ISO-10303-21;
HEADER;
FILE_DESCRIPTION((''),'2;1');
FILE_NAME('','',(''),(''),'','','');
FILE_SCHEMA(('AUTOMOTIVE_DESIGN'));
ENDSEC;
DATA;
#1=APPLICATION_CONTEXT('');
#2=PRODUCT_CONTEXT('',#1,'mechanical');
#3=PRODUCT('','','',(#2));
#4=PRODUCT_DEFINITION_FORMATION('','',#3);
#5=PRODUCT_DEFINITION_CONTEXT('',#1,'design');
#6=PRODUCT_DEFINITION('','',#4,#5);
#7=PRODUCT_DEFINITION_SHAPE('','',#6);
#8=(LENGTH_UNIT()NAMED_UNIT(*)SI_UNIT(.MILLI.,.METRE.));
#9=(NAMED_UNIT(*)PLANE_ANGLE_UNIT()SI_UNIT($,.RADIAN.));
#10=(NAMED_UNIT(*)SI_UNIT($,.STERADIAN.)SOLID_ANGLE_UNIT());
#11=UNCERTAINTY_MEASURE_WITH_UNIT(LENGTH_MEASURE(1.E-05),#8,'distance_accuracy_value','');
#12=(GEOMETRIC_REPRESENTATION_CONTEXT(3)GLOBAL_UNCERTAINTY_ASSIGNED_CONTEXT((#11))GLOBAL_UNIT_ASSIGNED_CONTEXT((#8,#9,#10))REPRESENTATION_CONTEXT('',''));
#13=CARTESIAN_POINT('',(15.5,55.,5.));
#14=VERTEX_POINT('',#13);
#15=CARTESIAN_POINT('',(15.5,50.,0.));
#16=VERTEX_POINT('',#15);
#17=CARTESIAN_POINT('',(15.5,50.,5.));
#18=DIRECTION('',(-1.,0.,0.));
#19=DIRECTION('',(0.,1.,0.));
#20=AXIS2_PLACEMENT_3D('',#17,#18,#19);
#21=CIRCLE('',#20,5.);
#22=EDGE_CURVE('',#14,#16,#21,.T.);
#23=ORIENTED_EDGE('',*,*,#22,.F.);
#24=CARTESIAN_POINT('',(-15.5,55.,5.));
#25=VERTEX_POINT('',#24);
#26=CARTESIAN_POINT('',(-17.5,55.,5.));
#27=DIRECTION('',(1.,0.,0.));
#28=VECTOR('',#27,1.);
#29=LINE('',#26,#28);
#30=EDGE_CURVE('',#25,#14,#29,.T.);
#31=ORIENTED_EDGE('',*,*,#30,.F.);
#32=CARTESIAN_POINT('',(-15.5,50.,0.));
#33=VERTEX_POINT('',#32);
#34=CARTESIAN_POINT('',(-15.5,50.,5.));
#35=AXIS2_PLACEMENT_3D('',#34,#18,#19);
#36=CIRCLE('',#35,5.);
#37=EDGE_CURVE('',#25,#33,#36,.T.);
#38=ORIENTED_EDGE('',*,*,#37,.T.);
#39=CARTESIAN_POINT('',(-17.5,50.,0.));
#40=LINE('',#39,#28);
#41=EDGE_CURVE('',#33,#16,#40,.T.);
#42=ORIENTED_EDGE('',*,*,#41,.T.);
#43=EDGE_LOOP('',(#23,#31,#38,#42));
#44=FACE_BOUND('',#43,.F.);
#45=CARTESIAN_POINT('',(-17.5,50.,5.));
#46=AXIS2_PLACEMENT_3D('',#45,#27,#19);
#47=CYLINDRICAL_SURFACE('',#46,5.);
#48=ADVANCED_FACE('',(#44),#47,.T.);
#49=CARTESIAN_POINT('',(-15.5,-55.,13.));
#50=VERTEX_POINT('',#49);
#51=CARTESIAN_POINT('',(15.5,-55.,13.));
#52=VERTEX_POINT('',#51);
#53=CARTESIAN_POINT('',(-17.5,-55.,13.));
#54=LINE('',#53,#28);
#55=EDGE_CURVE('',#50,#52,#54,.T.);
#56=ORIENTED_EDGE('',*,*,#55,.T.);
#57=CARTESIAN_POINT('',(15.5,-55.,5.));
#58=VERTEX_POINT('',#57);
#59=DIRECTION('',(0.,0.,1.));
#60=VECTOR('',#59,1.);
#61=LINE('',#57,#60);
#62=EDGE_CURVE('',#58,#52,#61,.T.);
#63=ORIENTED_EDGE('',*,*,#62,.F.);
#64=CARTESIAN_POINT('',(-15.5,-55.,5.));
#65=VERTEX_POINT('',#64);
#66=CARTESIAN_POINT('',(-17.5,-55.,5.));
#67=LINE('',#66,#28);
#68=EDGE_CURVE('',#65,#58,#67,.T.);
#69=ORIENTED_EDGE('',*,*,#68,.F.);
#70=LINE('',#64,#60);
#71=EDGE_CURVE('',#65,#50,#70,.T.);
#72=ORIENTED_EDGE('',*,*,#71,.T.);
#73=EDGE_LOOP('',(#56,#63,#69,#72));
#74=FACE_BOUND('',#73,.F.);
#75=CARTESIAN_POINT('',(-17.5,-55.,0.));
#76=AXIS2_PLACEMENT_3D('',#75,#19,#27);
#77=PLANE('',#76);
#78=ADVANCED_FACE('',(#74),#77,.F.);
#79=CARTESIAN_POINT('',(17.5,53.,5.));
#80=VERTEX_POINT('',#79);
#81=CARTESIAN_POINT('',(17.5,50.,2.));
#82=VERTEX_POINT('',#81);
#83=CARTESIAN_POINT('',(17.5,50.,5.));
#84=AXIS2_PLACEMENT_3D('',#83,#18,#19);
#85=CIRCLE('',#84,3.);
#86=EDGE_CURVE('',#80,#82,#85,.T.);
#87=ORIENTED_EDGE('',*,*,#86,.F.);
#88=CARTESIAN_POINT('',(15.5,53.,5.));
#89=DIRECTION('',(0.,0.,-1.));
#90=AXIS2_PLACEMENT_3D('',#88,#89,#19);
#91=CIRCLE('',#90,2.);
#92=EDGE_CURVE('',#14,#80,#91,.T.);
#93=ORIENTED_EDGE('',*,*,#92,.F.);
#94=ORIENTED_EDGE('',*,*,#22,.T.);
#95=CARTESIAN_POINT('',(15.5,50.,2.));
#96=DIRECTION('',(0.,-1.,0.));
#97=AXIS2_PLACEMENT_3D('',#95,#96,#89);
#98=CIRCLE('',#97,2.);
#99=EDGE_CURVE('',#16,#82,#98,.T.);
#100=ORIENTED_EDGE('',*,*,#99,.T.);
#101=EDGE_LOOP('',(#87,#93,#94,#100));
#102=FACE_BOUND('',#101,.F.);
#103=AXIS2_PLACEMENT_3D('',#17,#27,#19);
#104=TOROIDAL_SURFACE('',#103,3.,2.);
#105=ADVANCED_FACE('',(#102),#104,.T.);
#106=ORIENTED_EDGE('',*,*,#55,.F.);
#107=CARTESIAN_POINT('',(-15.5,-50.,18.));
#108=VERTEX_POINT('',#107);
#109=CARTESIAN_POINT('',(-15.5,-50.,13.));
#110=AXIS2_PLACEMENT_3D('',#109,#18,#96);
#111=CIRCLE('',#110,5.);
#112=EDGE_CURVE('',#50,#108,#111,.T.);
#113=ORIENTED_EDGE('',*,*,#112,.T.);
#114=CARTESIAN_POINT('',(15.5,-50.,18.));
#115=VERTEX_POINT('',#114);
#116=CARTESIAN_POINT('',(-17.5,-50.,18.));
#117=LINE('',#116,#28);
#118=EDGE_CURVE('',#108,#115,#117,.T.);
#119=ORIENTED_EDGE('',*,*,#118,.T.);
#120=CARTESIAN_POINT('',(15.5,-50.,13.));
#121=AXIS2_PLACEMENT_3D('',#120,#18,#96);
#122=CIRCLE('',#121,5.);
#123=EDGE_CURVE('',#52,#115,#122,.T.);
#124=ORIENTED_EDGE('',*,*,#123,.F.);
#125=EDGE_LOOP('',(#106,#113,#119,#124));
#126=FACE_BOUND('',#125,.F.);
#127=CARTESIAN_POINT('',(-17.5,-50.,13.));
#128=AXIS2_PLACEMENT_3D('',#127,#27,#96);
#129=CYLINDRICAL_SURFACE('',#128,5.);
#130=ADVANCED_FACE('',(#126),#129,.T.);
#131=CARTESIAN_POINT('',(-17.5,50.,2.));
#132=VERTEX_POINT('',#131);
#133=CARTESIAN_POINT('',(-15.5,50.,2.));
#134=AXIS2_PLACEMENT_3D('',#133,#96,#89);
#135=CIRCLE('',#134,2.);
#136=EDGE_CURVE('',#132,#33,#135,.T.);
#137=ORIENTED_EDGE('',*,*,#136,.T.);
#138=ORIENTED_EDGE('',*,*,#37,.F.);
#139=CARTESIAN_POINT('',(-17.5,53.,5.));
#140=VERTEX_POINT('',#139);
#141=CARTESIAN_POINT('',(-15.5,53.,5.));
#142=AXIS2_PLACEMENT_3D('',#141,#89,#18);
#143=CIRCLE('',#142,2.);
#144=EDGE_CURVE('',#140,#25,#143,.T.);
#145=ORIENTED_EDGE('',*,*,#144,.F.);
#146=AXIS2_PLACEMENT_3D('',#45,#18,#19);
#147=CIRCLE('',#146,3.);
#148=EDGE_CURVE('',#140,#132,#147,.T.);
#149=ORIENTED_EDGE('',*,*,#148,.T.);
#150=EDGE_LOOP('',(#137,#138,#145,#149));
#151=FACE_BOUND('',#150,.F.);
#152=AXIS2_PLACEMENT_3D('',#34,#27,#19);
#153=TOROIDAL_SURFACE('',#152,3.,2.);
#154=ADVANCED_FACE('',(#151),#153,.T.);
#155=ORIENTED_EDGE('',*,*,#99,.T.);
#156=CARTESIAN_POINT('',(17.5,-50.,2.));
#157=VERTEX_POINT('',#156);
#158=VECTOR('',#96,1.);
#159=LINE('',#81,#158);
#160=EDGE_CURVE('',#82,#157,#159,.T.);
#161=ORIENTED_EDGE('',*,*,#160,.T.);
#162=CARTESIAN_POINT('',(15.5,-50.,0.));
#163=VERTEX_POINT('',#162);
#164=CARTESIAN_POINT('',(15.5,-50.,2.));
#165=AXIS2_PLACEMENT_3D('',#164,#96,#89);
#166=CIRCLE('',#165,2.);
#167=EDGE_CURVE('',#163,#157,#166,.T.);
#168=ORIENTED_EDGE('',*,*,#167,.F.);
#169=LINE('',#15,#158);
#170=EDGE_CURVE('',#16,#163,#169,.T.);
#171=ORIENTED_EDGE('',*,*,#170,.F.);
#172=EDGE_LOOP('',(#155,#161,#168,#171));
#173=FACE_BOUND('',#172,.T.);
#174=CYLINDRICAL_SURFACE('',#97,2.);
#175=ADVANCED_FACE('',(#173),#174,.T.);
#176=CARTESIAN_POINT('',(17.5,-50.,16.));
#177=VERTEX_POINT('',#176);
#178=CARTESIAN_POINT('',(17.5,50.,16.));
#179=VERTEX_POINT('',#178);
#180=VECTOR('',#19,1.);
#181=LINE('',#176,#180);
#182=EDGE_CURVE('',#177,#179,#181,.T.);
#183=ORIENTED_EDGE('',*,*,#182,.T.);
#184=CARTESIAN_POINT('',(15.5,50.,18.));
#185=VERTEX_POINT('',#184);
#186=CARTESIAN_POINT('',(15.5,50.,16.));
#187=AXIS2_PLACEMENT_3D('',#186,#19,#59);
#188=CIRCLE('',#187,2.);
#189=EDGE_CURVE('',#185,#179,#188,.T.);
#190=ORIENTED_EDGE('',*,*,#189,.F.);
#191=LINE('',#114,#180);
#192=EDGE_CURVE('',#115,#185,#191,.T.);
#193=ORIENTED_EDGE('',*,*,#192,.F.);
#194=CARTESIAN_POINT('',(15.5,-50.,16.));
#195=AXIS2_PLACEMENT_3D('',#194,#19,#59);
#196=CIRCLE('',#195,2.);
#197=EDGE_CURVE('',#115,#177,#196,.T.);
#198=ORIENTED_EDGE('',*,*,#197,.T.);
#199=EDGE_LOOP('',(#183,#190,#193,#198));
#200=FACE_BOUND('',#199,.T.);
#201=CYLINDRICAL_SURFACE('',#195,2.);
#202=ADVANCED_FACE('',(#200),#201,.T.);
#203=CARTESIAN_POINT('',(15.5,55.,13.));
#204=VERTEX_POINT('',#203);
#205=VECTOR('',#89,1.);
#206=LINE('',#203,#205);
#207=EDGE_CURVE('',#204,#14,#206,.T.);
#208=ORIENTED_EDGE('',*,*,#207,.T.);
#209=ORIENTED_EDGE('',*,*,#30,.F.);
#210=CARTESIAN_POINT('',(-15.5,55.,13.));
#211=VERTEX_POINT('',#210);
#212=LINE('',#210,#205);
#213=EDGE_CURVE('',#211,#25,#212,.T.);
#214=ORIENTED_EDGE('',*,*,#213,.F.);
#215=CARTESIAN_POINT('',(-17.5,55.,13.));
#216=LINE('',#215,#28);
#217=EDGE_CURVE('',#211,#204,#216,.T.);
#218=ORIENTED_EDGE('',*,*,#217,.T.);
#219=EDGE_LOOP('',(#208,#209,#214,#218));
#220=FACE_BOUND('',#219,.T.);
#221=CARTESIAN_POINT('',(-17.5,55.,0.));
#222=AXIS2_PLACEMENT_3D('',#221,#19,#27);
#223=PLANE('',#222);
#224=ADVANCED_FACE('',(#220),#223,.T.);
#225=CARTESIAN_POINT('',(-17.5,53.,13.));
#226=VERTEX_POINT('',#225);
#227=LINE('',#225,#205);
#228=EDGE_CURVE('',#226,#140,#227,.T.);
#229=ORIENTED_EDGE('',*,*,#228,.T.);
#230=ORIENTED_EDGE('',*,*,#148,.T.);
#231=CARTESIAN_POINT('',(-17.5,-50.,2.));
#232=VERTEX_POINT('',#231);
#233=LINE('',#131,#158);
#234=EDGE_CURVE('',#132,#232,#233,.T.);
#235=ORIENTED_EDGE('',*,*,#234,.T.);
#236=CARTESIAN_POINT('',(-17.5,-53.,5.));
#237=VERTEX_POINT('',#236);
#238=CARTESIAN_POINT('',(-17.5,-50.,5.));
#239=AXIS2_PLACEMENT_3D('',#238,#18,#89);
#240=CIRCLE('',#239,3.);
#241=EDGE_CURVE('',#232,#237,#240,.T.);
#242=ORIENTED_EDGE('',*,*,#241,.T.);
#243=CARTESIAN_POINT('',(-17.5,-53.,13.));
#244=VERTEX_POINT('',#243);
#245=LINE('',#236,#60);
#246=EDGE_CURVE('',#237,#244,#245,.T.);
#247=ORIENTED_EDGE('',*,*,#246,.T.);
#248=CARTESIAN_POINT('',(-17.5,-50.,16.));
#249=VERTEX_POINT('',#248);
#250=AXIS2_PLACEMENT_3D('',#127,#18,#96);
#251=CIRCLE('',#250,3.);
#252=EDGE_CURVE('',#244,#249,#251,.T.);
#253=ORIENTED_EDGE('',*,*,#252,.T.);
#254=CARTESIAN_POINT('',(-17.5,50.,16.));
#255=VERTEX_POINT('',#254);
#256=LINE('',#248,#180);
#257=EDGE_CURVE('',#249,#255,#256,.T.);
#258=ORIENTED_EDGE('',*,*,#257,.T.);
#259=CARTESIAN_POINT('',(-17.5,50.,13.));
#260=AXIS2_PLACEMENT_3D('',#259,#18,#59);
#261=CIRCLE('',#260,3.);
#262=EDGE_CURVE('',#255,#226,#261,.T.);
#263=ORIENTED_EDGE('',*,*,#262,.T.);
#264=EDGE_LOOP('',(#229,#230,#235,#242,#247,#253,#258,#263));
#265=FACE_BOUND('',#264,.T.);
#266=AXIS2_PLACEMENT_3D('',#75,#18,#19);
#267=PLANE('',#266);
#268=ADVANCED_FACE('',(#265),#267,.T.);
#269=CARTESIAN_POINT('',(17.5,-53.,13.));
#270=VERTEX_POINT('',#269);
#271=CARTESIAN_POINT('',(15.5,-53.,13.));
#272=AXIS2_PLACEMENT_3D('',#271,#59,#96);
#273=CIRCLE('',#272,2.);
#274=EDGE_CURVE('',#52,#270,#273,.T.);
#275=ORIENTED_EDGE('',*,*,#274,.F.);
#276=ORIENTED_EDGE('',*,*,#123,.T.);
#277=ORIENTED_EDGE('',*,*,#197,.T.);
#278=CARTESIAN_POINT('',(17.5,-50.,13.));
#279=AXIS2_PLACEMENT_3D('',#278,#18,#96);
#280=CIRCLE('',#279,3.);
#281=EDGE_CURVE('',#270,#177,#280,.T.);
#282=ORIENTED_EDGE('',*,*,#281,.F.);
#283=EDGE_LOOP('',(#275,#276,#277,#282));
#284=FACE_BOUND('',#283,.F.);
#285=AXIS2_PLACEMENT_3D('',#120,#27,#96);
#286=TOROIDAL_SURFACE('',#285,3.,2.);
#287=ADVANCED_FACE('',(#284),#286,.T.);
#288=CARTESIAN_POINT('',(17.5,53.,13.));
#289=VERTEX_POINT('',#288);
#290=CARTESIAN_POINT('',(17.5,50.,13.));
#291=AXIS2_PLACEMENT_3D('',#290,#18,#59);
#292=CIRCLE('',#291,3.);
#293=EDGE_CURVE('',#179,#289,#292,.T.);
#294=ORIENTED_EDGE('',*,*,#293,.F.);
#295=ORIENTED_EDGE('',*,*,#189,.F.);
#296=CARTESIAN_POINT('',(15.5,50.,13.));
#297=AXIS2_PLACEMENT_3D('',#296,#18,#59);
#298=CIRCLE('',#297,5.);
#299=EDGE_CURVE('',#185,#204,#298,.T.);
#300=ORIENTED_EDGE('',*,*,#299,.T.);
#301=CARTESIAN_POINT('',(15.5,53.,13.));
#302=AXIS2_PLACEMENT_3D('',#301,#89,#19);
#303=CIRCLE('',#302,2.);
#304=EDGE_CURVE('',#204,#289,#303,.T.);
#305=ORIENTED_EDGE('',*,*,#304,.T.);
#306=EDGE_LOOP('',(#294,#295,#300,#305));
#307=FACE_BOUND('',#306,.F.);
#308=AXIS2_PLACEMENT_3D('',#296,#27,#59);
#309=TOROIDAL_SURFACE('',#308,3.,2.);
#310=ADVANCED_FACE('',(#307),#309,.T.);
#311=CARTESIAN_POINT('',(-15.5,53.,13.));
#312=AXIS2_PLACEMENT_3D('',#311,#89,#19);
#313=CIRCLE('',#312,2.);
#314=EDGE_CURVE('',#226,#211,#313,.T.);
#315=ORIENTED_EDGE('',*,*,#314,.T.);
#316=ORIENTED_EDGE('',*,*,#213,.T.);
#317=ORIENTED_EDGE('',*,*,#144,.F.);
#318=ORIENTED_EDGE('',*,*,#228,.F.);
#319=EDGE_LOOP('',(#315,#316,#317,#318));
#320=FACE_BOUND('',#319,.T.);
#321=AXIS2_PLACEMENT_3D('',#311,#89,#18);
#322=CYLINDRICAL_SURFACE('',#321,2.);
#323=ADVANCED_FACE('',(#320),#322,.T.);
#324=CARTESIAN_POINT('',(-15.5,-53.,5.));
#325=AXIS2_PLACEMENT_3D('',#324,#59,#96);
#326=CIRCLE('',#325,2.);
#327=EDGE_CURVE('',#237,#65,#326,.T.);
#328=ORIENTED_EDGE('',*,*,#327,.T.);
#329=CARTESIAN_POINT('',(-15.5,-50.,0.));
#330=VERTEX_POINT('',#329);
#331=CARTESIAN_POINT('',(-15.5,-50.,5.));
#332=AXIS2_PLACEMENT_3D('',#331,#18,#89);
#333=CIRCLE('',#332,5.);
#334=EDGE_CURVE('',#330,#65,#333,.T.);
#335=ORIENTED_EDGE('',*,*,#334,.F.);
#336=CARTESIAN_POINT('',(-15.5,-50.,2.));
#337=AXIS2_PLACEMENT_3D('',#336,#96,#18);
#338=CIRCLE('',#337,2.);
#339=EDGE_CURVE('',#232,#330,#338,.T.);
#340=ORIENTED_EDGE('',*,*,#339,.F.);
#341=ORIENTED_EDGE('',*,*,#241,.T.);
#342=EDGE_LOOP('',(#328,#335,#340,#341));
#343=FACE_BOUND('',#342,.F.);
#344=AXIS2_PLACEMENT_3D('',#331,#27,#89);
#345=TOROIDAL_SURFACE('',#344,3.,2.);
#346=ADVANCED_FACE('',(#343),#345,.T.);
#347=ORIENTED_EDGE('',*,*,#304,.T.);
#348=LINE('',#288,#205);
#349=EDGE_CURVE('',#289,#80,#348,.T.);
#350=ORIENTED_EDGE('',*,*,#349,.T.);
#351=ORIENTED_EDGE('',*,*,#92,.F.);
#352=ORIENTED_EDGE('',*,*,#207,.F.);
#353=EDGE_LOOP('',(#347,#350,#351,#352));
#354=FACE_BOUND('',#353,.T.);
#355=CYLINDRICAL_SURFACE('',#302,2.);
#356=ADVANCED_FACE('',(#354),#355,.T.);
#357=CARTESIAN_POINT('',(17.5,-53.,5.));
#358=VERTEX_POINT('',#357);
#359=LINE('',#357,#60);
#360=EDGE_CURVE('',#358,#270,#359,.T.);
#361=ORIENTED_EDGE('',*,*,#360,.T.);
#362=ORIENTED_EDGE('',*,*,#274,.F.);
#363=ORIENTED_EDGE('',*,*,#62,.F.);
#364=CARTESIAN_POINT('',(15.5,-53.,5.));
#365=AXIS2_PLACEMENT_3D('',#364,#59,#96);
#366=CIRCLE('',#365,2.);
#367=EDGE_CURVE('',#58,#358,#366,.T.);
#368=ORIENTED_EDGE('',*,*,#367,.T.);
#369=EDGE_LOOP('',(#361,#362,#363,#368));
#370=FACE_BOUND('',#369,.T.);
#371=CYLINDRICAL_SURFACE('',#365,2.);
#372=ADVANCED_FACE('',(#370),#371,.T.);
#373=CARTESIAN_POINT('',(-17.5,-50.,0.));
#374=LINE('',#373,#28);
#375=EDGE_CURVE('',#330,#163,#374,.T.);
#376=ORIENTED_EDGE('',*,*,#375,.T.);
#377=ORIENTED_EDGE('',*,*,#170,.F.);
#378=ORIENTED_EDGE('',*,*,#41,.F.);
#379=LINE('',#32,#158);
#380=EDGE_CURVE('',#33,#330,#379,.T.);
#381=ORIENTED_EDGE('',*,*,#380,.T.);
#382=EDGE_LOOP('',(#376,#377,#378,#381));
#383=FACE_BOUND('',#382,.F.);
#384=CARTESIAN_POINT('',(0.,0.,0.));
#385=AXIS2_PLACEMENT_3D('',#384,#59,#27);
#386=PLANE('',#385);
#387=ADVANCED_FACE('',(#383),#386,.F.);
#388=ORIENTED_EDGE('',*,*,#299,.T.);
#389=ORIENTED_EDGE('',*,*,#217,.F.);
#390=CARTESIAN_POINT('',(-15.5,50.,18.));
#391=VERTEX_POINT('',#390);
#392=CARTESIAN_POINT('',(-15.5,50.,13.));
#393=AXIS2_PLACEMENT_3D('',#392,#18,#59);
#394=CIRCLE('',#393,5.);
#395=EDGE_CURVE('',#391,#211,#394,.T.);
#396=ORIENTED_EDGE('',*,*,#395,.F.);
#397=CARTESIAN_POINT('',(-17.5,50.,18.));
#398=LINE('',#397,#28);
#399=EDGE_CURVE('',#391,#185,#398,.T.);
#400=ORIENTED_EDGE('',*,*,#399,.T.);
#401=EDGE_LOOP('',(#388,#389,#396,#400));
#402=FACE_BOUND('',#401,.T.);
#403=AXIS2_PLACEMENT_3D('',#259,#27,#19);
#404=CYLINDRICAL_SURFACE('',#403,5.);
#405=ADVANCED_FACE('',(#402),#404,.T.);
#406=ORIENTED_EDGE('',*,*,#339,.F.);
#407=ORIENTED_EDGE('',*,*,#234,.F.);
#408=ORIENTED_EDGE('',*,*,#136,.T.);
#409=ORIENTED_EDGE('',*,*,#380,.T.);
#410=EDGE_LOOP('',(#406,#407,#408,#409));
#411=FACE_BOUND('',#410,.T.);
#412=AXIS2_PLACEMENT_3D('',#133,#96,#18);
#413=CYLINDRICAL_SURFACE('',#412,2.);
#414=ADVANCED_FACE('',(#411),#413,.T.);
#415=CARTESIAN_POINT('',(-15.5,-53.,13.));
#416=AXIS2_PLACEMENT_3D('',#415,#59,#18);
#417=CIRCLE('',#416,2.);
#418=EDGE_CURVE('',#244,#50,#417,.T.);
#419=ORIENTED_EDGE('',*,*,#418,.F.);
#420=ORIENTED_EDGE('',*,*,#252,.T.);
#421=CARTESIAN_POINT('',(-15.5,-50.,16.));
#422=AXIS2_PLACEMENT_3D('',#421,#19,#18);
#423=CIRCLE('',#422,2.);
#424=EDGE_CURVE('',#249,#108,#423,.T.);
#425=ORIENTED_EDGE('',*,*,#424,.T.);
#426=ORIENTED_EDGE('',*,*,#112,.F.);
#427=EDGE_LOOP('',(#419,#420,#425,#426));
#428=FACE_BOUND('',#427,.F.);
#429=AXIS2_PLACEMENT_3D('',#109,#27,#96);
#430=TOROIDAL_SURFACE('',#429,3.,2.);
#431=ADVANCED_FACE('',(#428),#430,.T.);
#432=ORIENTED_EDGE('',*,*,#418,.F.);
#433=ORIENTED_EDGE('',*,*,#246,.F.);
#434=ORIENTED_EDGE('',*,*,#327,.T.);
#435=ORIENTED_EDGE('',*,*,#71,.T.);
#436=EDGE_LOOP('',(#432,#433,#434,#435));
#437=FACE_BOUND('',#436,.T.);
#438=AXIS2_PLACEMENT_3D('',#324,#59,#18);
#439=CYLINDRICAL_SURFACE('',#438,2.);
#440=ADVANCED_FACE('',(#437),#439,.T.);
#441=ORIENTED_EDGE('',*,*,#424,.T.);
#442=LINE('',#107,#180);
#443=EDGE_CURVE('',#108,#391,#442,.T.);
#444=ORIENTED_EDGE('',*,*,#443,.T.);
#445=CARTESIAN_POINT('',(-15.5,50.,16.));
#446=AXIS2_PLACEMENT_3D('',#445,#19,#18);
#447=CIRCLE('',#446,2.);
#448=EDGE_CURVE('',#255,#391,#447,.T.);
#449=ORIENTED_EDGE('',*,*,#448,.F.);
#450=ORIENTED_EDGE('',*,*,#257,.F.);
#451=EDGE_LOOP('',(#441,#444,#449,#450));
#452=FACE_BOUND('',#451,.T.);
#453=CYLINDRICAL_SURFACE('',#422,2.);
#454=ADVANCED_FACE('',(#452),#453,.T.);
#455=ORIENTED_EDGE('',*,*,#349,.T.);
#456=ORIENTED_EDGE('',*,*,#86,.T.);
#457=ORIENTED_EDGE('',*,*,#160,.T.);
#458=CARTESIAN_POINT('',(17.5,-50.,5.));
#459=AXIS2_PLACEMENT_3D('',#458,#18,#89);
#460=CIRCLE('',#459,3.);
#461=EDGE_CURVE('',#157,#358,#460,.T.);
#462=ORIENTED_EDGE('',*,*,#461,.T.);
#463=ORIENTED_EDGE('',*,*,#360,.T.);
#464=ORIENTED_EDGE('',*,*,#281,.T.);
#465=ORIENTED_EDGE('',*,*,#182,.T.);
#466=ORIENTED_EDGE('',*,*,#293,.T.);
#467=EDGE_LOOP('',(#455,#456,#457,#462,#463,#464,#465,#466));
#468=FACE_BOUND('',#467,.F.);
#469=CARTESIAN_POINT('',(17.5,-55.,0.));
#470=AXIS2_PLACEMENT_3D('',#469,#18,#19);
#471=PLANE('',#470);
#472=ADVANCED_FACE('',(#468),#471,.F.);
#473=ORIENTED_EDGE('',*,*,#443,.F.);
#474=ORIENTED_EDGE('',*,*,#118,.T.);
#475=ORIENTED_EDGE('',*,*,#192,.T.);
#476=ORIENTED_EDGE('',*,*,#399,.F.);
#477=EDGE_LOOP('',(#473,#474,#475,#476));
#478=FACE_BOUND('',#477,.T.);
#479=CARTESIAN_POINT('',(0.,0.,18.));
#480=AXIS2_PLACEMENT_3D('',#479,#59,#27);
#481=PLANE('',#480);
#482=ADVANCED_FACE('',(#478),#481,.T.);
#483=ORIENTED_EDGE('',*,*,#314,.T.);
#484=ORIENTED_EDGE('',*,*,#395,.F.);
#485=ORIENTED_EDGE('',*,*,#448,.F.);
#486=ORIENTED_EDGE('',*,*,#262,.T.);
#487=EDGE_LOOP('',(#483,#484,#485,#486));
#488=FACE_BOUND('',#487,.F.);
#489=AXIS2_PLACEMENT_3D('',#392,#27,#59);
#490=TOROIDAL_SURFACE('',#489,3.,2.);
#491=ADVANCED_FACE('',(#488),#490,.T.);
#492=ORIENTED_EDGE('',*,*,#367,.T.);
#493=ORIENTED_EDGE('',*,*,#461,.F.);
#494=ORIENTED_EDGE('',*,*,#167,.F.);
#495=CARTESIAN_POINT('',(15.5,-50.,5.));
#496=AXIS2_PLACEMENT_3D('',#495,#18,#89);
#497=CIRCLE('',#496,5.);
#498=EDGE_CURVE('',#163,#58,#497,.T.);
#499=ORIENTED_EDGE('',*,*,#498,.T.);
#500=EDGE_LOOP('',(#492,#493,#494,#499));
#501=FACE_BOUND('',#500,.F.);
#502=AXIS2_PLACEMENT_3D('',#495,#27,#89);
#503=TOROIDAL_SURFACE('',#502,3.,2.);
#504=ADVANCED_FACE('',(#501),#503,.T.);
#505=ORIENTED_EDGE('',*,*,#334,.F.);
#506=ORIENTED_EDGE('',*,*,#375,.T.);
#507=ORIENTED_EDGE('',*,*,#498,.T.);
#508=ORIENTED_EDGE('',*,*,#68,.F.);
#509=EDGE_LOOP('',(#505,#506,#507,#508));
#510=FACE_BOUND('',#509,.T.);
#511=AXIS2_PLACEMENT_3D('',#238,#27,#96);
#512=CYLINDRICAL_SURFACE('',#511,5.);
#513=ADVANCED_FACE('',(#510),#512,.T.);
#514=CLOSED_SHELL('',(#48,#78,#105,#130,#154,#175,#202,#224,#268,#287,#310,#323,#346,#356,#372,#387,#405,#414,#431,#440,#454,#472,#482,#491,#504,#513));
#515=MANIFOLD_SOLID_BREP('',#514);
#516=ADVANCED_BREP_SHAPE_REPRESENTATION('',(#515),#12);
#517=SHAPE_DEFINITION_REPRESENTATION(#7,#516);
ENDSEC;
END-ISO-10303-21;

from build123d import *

# Parameters (mm, degrees)
F0_W     = 35
F0_H     = 110
F1_DEPTH = 18
F2_R     = 5
F3_R     = 2


with BuildPart() as f1:
    # F0 (on Top) → F1 (new body)
    with BuildSketch(Plane.XY):
        Rectangle(F0_W, F0_H)
    extrude(amount=F1_DEPTH)

    # F2
    f2_edges = [f1.edges().sort_by_distance(p)[0] for p in [
        (0, 55, 0),
        (0, 55, 18),
        (0, -55, 18),
        (0, -55, 0),
    ]]
    fillet(f2_edges, radius=F2_R)

    # F3
    f3_edges = [f1.edges().sort_by_distance(p)[0] for p in [
        (-17.5, 0, 18),
        (-17.5, 53.535534, 16.535534),
        (17.5, 0, 18),
    ]]
    fillet(f3_edges, radius=F3_R)


solid = f1.part
